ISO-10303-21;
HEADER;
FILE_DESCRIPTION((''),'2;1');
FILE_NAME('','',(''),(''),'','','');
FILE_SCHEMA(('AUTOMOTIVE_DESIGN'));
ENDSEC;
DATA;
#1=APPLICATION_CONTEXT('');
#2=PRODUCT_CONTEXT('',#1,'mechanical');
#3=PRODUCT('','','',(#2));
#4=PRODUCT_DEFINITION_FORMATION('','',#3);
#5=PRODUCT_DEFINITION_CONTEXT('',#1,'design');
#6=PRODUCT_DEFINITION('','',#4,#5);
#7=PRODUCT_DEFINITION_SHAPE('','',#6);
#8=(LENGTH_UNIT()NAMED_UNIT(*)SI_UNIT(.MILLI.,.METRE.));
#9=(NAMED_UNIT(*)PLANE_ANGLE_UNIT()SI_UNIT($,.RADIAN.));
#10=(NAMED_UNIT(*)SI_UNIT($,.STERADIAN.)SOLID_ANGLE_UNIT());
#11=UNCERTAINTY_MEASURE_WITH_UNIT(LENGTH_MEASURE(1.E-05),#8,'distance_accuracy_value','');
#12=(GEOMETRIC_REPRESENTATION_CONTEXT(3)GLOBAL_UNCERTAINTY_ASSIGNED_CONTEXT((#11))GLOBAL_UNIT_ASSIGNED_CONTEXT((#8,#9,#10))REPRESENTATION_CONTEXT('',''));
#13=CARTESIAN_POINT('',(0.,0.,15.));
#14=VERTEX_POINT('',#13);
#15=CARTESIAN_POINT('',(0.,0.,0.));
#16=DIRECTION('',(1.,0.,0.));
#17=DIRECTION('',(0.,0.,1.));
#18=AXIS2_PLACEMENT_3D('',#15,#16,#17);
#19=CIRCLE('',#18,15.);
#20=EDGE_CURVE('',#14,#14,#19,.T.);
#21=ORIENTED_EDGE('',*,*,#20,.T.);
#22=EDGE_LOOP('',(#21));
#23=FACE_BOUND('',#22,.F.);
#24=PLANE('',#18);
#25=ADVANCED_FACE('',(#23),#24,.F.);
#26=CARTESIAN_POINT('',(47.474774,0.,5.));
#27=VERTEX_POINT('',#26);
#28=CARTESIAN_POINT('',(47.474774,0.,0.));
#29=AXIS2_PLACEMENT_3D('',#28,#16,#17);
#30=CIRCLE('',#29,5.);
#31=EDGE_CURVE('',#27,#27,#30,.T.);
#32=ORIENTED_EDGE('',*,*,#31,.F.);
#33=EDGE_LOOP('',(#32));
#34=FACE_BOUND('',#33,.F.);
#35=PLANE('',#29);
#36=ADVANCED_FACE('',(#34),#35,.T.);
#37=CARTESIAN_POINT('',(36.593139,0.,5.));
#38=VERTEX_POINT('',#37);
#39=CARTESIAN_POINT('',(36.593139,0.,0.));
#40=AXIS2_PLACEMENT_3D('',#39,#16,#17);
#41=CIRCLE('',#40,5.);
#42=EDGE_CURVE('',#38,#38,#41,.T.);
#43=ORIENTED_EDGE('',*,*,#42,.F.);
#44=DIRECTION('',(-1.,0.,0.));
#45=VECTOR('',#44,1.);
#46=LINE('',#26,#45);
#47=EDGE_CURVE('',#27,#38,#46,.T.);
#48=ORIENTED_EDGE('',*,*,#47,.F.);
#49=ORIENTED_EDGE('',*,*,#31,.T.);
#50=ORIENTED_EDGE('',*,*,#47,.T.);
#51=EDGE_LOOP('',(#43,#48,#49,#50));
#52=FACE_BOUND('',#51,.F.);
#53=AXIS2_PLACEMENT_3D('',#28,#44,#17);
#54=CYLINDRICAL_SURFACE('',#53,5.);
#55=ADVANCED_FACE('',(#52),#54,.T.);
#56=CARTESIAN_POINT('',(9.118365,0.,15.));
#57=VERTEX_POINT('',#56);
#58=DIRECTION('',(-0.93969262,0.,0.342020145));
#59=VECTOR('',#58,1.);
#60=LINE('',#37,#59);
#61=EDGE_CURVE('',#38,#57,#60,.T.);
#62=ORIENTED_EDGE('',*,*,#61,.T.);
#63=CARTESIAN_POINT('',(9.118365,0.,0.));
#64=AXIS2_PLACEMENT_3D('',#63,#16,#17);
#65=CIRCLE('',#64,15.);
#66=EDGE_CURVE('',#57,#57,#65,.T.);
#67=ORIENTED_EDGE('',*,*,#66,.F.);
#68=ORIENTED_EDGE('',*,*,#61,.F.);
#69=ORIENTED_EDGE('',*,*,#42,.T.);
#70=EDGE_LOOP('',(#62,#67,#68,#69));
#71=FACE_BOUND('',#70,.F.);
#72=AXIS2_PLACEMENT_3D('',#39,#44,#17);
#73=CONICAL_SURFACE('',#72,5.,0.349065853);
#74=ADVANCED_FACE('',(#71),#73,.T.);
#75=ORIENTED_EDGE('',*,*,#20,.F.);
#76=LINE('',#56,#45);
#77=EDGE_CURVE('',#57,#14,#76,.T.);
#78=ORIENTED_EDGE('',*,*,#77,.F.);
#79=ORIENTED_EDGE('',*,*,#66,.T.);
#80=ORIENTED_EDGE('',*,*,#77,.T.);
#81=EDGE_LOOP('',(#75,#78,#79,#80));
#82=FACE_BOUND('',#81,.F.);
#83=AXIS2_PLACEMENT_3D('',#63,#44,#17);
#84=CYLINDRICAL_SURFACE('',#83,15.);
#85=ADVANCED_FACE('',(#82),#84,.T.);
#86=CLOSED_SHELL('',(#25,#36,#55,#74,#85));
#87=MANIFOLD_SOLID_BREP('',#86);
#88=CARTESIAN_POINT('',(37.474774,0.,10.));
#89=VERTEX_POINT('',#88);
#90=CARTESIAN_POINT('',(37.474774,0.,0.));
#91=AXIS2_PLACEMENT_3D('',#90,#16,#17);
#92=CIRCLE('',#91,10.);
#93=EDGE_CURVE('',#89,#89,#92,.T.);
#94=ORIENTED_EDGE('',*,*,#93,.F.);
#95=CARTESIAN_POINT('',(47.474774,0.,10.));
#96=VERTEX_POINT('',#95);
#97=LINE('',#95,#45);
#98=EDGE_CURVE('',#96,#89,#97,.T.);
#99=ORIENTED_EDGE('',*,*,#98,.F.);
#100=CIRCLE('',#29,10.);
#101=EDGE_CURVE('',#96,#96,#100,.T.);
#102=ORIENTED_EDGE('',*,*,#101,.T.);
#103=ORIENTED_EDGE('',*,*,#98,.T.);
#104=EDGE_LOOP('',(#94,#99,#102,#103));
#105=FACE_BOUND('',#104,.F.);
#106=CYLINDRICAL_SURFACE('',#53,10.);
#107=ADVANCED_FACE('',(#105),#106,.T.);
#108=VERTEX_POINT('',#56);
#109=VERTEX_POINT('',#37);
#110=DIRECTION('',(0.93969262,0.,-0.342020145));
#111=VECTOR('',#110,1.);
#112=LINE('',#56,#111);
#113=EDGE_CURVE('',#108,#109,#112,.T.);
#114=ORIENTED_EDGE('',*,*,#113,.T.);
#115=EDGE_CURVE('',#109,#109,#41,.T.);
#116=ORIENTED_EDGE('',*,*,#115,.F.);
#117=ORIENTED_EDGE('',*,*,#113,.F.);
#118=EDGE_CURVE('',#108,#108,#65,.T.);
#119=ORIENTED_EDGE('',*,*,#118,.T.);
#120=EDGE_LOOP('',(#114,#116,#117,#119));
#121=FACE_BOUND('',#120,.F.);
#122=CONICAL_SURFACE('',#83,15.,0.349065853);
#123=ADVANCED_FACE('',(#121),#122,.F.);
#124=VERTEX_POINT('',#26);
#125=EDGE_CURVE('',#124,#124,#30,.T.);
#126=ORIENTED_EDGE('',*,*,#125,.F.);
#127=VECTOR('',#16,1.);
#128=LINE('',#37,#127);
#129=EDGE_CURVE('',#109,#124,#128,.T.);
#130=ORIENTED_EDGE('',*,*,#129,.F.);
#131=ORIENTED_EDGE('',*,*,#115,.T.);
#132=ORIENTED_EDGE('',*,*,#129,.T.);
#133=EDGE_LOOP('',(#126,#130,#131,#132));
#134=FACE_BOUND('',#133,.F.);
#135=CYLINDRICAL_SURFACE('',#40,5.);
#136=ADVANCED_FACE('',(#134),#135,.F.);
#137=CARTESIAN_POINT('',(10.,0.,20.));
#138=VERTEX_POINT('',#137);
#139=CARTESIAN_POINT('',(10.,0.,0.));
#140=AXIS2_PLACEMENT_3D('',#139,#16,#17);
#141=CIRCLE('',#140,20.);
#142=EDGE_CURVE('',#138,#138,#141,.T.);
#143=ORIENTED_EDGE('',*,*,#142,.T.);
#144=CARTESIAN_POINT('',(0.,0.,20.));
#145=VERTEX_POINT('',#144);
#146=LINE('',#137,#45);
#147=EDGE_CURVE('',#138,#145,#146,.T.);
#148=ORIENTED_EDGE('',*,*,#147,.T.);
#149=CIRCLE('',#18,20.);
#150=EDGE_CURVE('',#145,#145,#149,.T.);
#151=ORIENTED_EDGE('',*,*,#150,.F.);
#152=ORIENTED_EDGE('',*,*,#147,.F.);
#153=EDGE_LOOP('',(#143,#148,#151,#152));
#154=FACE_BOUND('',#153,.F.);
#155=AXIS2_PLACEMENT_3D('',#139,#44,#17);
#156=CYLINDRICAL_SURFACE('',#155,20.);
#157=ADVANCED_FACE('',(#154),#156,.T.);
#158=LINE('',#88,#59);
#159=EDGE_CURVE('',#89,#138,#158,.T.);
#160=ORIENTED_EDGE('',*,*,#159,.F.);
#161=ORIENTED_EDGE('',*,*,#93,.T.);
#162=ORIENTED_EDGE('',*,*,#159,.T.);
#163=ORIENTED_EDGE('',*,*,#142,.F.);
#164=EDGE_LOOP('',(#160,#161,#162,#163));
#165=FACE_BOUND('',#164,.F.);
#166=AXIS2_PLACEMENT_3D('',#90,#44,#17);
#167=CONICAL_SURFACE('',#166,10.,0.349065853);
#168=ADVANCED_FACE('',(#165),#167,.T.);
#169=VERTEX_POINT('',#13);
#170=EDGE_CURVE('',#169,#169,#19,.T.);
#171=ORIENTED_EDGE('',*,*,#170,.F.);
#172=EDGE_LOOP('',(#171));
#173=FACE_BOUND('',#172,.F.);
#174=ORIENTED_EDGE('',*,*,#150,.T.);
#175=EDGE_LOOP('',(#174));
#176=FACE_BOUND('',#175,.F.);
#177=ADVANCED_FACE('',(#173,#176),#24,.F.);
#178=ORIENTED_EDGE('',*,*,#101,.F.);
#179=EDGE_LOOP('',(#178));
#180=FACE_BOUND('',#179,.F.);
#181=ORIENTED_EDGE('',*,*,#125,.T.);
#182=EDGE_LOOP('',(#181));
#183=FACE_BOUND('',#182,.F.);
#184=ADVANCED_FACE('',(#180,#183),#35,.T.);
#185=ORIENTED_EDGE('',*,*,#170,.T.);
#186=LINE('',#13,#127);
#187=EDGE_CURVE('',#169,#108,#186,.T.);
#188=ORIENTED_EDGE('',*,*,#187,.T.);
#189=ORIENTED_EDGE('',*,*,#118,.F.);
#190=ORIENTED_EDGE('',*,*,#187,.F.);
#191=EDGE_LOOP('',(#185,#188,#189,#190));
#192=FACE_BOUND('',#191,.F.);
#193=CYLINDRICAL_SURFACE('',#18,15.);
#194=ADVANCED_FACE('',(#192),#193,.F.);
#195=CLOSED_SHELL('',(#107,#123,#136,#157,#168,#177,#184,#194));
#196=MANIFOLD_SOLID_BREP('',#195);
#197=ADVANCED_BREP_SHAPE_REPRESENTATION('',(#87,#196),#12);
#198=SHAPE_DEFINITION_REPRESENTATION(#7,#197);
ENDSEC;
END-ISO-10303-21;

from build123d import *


with BuildPart() as f1:
    # F0 (on Front) → F1 (revolve)
    with BuildSketch(Plane.XZ):
        Polygon((0, 20), (0, 15), (9.118365, 15), (36.593139, 5), (47.474774, 5), (47.474774, 10), (37.474774, 10), (10, 20), align=None)
    revolve(axis=Axis((23.737387, 0, 0), (1, 0, 0)))


with BuildPart() as f2:
    # F0 (on Front) → F2 (revolve)
    with BuildSketch(Plane.XZ):
        Polygon((0, 15), (0, 0), (47.474774, 0), (47.474774, 5), (36.593139, 5), (9.118365, 15), align=None)
    revolve(axis=Axis((23.737387, 0, 0), (1, 0, 0)))


solid = Compound([f1.part, f2.part])
